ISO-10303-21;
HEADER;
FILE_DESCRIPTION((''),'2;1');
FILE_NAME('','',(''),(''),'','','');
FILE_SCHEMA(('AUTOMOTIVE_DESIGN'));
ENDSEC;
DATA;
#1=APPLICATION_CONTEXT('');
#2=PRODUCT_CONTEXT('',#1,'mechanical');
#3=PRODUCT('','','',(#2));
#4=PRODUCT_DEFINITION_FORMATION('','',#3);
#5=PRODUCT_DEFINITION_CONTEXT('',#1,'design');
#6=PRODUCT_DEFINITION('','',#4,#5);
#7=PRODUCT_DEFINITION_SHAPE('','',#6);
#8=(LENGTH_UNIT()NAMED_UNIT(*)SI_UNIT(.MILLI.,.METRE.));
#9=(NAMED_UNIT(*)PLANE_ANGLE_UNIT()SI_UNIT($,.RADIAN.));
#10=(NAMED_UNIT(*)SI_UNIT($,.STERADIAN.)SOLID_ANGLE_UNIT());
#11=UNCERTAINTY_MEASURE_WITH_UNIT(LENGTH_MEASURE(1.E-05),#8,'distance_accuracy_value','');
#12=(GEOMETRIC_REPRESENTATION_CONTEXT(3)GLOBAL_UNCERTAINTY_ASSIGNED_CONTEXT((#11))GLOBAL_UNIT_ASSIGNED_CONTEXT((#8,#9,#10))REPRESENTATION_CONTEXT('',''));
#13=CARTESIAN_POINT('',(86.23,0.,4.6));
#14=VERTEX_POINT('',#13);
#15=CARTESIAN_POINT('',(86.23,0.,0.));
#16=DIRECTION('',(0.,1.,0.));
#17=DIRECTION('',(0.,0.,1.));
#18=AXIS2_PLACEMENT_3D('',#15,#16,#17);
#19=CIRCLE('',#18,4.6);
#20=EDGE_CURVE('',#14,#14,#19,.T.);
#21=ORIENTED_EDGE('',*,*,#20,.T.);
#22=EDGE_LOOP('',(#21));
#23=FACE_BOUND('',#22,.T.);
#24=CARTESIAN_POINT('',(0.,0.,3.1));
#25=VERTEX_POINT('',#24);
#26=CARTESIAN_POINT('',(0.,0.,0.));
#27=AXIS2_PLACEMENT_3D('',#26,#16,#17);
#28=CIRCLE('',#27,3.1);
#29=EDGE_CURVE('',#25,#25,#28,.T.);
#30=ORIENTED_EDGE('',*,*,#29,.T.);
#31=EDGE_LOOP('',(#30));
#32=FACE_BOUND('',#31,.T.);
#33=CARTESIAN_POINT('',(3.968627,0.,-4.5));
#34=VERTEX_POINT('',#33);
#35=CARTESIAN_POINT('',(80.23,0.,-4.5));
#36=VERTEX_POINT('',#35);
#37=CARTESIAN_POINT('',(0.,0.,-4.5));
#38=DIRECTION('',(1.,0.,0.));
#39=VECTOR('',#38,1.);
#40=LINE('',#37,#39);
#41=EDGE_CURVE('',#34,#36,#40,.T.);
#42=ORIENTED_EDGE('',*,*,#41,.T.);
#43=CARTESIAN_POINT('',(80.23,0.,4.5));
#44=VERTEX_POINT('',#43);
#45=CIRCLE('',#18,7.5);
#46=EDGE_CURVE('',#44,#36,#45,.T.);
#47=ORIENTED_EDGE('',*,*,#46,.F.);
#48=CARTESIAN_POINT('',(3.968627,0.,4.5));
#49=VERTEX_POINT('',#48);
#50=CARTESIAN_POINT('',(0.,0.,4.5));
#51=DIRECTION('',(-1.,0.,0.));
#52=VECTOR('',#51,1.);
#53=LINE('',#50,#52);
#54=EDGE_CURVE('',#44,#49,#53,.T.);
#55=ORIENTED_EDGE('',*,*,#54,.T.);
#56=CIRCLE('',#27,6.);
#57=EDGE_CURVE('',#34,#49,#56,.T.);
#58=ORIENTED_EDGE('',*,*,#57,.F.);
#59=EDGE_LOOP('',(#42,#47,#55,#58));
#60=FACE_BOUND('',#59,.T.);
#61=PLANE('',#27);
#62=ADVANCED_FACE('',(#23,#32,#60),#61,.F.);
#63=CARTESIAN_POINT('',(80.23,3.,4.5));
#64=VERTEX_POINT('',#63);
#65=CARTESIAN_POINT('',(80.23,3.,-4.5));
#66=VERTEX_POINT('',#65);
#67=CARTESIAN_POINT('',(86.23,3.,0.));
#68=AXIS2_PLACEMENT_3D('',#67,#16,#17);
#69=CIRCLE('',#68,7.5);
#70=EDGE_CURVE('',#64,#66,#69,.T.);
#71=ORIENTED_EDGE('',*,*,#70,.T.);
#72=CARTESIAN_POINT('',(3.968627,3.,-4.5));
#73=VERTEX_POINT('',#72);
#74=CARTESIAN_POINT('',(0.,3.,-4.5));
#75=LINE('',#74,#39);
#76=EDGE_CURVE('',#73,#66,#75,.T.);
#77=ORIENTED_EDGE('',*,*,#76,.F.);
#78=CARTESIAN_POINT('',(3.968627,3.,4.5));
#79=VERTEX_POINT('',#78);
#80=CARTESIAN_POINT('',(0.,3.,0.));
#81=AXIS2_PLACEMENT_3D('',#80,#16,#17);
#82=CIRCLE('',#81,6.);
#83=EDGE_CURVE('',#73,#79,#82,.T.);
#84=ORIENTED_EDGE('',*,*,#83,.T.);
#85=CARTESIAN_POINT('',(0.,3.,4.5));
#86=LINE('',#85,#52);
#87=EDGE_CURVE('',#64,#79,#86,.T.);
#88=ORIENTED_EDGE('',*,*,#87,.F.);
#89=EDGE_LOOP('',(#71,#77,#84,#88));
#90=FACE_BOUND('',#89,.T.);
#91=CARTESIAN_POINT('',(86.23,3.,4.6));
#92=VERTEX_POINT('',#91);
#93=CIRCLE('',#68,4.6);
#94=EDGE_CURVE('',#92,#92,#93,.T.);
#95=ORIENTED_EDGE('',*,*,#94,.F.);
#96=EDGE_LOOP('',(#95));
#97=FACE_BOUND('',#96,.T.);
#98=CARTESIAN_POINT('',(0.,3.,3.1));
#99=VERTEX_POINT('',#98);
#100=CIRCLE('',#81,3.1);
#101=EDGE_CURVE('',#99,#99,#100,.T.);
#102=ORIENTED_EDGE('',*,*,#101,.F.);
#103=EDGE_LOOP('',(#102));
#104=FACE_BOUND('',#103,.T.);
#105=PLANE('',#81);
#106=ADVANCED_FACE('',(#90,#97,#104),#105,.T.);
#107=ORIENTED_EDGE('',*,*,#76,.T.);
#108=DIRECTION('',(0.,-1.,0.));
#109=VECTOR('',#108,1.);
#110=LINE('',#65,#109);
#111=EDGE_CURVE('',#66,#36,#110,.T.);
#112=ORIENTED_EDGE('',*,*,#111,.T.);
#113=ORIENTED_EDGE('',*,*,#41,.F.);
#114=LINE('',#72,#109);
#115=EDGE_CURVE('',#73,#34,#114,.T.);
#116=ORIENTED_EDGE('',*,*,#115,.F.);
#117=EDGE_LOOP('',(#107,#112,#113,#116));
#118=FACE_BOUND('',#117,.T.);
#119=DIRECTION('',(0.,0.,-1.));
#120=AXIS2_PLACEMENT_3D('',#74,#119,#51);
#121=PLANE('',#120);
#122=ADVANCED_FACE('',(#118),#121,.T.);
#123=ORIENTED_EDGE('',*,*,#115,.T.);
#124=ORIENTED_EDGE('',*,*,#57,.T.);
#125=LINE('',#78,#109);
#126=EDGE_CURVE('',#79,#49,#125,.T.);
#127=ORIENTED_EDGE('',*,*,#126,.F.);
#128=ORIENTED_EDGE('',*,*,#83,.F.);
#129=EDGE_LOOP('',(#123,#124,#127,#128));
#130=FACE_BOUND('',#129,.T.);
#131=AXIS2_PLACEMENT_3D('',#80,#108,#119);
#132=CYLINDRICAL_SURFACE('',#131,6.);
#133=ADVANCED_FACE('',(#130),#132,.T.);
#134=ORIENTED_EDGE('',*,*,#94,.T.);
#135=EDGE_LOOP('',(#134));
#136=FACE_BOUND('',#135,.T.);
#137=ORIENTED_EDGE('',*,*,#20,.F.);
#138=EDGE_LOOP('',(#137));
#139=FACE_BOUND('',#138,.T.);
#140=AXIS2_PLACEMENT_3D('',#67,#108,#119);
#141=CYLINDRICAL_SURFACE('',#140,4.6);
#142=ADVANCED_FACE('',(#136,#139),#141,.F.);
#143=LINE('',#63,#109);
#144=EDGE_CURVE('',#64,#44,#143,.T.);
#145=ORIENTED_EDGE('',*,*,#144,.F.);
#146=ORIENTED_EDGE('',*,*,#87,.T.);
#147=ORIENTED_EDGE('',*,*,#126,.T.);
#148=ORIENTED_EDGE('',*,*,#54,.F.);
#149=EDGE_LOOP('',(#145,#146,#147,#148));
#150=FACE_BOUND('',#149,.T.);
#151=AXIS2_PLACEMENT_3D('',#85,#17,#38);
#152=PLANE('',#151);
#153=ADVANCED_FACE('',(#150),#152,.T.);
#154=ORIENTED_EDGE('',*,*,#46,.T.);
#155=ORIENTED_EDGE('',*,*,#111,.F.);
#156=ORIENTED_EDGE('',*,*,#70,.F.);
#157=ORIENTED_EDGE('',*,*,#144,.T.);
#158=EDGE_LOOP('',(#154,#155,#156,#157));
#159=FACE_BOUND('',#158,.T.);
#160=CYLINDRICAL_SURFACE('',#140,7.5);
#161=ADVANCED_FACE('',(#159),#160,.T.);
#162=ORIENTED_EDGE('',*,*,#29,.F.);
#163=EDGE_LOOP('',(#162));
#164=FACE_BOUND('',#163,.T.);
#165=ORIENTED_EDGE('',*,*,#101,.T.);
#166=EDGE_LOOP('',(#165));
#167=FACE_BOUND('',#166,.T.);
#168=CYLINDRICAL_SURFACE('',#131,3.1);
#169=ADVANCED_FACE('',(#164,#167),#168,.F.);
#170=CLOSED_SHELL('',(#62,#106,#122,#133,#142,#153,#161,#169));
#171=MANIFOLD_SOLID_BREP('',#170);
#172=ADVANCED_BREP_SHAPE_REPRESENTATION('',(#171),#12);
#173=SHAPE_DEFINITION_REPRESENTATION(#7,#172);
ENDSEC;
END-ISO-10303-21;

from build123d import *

# Parameters (mm, degrees)
SKETCH1_R           = 3.1
SKETCH1_R_2         = 4.6
BOSS_EXTRUDE1_DEPTH = 3


with BuildPart() as part:
    # Sketch1 → Boss-Extrude1 (new body)
    with BuildSketch(Plane(origin=(0, 0, 0), x_dir=(1, 0, 0), z_dir=(0, 1, 0))):
        with BuildLine():
            ThreePointArc((3.968626967, 4.5), (-6, 0), (3.968626967, -4.5))
            Line((3.968626967, -4.5), (80.23, -4.5))
            ThreePointArc((80.23, -4.5), (93.73, 0), (80.23, 4.5))
            Line((80.23, 4.5), (3.968626967, 4.5))
        make_face()
        Circle(SKETCH1_R, mode=Mode.SUBTRACT)
        with Locations((86.23, 0)):
            Circle(SKETCH1_R_2, mode=Mode.SUBTRACT)
    extrude(amount=BOSS_EXTRUDE1_DEPTH)


solid = part.part
